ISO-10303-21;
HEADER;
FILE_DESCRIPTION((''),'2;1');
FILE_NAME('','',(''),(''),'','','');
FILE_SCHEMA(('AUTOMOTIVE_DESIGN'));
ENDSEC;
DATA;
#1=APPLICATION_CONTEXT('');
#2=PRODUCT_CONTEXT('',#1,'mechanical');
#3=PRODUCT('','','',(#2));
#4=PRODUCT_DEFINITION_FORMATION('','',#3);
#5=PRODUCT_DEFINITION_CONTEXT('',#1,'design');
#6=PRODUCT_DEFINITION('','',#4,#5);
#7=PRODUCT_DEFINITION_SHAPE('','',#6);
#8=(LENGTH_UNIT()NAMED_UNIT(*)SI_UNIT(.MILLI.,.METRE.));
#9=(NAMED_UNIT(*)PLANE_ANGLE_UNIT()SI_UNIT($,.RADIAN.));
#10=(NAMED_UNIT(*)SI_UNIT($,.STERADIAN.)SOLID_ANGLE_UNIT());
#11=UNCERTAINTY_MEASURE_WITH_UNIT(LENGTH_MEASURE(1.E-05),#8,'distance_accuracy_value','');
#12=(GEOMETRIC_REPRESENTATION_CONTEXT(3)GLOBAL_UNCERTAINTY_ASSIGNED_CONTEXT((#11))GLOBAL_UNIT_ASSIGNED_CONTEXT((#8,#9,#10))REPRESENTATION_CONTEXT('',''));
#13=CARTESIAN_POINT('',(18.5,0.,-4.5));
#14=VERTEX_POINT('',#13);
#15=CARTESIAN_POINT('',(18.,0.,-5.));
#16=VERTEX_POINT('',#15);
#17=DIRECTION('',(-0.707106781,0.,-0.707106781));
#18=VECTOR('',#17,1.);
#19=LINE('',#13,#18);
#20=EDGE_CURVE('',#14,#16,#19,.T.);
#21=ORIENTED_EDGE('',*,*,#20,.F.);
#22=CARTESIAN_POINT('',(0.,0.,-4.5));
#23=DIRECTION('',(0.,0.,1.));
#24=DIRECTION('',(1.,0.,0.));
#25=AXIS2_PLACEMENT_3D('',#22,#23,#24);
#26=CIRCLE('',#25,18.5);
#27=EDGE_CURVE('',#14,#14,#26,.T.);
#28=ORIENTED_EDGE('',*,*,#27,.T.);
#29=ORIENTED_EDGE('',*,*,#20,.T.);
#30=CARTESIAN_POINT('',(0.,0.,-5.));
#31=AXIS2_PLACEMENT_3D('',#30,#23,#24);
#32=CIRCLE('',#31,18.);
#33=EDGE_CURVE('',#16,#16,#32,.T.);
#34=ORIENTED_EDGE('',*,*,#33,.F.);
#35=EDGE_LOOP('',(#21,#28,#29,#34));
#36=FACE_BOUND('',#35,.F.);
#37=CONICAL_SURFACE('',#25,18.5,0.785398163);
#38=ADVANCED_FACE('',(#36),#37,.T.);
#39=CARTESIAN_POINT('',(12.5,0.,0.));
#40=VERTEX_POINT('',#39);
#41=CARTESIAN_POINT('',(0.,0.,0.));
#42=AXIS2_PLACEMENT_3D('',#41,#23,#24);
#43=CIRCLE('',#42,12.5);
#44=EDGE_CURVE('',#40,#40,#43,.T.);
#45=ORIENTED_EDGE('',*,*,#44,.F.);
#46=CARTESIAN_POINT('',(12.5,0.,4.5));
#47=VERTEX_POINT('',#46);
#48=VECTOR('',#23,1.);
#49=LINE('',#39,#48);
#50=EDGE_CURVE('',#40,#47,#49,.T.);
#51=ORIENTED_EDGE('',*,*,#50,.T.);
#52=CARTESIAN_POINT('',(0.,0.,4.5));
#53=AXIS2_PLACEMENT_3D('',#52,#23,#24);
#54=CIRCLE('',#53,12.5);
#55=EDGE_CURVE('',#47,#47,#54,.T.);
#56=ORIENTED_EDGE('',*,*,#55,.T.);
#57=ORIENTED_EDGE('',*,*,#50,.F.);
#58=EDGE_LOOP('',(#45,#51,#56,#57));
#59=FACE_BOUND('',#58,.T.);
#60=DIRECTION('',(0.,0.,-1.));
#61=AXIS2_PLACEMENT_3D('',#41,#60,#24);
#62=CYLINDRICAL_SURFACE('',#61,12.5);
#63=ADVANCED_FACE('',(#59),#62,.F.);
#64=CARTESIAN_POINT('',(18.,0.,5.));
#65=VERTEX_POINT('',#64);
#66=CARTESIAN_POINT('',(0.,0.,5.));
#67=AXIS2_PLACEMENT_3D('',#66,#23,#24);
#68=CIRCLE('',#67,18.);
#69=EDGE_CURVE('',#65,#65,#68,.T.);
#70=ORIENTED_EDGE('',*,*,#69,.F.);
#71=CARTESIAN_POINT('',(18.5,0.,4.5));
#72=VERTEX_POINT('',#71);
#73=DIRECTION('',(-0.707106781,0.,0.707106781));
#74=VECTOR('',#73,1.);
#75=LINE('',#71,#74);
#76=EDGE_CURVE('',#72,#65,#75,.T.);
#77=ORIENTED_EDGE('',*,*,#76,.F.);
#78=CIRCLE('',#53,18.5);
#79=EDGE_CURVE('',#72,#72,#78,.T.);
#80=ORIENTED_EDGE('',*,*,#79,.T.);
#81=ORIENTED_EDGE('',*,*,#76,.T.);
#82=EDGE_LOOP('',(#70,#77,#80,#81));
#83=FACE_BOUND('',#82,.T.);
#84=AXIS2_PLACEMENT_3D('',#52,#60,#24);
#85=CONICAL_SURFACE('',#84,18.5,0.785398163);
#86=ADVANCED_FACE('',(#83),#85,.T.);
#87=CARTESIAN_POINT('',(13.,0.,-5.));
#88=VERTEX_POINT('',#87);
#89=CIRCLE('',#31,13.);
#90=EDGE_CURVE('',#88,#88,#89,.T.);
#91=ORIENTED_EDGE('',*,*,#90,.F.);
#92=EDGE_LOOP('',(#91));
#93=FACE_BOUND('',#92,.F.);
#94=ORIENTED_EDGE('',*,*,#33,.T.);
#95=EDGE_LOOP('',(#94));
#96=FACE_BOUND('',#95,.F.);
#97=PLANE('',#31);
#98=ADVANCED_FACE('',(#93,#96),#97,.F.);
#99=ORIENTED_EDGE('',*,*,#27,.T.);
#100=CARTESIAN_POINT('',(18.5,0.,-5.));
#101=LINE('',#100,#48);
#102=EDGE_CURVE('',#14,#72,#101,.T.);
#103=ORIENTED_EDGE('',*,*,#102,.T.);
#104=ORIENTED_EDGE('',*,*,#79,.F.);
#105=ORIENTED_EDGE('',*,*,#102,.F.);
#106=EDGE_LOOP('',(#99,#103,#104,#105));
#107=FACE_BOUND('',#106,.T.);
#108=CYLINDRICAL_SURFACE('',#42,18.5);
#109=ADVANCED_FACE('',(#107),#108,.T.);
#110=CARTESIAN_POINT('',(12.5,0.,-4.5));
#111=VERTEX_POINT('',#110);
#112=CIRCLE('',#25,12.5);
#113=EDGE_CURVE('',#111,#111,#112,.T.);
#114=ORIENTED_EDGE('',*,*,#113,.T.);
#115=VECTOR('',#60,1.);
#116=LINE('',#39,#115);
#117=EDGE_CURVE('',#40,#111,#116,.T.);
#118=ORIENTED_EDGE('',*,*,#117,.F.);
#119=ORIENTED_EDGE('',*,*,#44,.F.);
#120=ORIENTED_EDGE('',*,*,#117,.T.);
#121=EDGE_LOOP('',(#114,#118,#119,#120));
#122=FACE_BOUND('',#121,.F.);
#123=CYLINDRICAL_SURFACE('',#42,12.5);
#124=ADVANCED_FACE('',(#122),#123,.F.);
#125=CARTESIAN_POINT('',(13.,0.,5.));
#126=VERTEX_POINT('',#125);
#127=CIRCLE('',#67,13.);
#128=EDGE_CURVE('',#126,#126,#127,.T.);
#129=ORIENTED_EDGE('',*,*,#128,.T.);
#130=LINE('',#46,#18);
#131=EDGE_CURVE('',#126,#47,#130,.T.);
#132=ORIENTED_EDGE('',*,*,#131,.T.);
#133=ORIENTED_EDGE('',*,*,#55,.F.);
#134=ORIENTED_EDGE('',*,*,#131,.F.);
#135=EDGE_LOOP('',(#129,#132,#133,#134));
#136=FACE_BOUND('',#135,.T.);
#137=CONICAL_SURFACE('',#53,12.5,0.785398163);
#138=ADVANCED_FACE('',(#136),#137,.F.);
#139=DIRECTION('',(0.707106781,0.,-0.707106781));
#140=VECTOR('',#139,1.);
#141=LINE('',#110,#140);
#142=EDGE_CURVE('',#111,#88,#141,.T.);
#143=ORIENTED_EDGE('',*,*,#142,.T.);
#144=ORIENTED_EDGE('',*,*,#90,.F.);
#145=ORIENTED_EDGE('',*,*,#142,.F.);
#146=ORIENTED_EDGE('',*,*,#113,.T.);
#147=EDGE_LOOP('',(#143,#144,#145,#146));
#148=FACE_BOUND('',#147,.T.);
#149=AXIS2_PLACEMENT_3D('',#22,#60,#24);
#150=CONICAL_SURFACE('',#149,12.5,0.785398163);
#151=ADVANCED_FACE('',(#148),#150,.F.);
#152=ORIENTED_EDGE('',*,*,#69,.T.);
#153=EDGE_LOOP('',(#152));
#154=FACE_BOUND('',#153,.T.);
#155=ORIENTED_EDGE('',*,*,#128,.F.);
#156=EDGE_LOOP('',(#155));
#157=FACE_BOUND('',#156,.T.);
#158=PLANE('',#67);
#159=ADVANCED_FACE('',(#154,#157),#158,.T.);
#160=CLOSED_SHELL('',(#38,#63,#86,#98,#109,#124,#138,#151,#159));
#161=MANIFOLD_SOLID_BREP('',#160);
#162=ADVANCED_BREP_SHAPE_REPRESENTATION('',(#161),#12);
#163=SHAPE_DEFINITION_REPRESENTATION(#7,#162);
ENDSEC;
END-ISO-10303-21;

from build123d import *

# Parameters (mm, degrees)
F0_R          = 18.5
F0_R_2        = 12.5
F1_DEPTH      = 5
F1_DEPTH_BACK = 5
F2_SIZE       = 0.5


with BuildPart() as f1:
    # F0 (on Top) → F1 (new body, two sides)
    with BuildSketch(Plane.XY) as f1_sk:
        Circle(F0_R)
        Circle(F0_R_2, mode=Mode.SUBTRACT)
    extrude(amount=F1_DEPTH)
    extrude(f1_sk.sketch, amount=-F1_DEPTH_BACK)

    # F2
    f2_edges = [f1.edges().sort_by_distance(p)[0] for p in [
        (-12.5, 0, -5),
        (-18.5, 0, -5),
        (-12.5, 0, 5),
        (-18.5, 0, 5),
    ]]
    chamfer(f2_edges, length=F2_SIZE)


solid = f1.part
